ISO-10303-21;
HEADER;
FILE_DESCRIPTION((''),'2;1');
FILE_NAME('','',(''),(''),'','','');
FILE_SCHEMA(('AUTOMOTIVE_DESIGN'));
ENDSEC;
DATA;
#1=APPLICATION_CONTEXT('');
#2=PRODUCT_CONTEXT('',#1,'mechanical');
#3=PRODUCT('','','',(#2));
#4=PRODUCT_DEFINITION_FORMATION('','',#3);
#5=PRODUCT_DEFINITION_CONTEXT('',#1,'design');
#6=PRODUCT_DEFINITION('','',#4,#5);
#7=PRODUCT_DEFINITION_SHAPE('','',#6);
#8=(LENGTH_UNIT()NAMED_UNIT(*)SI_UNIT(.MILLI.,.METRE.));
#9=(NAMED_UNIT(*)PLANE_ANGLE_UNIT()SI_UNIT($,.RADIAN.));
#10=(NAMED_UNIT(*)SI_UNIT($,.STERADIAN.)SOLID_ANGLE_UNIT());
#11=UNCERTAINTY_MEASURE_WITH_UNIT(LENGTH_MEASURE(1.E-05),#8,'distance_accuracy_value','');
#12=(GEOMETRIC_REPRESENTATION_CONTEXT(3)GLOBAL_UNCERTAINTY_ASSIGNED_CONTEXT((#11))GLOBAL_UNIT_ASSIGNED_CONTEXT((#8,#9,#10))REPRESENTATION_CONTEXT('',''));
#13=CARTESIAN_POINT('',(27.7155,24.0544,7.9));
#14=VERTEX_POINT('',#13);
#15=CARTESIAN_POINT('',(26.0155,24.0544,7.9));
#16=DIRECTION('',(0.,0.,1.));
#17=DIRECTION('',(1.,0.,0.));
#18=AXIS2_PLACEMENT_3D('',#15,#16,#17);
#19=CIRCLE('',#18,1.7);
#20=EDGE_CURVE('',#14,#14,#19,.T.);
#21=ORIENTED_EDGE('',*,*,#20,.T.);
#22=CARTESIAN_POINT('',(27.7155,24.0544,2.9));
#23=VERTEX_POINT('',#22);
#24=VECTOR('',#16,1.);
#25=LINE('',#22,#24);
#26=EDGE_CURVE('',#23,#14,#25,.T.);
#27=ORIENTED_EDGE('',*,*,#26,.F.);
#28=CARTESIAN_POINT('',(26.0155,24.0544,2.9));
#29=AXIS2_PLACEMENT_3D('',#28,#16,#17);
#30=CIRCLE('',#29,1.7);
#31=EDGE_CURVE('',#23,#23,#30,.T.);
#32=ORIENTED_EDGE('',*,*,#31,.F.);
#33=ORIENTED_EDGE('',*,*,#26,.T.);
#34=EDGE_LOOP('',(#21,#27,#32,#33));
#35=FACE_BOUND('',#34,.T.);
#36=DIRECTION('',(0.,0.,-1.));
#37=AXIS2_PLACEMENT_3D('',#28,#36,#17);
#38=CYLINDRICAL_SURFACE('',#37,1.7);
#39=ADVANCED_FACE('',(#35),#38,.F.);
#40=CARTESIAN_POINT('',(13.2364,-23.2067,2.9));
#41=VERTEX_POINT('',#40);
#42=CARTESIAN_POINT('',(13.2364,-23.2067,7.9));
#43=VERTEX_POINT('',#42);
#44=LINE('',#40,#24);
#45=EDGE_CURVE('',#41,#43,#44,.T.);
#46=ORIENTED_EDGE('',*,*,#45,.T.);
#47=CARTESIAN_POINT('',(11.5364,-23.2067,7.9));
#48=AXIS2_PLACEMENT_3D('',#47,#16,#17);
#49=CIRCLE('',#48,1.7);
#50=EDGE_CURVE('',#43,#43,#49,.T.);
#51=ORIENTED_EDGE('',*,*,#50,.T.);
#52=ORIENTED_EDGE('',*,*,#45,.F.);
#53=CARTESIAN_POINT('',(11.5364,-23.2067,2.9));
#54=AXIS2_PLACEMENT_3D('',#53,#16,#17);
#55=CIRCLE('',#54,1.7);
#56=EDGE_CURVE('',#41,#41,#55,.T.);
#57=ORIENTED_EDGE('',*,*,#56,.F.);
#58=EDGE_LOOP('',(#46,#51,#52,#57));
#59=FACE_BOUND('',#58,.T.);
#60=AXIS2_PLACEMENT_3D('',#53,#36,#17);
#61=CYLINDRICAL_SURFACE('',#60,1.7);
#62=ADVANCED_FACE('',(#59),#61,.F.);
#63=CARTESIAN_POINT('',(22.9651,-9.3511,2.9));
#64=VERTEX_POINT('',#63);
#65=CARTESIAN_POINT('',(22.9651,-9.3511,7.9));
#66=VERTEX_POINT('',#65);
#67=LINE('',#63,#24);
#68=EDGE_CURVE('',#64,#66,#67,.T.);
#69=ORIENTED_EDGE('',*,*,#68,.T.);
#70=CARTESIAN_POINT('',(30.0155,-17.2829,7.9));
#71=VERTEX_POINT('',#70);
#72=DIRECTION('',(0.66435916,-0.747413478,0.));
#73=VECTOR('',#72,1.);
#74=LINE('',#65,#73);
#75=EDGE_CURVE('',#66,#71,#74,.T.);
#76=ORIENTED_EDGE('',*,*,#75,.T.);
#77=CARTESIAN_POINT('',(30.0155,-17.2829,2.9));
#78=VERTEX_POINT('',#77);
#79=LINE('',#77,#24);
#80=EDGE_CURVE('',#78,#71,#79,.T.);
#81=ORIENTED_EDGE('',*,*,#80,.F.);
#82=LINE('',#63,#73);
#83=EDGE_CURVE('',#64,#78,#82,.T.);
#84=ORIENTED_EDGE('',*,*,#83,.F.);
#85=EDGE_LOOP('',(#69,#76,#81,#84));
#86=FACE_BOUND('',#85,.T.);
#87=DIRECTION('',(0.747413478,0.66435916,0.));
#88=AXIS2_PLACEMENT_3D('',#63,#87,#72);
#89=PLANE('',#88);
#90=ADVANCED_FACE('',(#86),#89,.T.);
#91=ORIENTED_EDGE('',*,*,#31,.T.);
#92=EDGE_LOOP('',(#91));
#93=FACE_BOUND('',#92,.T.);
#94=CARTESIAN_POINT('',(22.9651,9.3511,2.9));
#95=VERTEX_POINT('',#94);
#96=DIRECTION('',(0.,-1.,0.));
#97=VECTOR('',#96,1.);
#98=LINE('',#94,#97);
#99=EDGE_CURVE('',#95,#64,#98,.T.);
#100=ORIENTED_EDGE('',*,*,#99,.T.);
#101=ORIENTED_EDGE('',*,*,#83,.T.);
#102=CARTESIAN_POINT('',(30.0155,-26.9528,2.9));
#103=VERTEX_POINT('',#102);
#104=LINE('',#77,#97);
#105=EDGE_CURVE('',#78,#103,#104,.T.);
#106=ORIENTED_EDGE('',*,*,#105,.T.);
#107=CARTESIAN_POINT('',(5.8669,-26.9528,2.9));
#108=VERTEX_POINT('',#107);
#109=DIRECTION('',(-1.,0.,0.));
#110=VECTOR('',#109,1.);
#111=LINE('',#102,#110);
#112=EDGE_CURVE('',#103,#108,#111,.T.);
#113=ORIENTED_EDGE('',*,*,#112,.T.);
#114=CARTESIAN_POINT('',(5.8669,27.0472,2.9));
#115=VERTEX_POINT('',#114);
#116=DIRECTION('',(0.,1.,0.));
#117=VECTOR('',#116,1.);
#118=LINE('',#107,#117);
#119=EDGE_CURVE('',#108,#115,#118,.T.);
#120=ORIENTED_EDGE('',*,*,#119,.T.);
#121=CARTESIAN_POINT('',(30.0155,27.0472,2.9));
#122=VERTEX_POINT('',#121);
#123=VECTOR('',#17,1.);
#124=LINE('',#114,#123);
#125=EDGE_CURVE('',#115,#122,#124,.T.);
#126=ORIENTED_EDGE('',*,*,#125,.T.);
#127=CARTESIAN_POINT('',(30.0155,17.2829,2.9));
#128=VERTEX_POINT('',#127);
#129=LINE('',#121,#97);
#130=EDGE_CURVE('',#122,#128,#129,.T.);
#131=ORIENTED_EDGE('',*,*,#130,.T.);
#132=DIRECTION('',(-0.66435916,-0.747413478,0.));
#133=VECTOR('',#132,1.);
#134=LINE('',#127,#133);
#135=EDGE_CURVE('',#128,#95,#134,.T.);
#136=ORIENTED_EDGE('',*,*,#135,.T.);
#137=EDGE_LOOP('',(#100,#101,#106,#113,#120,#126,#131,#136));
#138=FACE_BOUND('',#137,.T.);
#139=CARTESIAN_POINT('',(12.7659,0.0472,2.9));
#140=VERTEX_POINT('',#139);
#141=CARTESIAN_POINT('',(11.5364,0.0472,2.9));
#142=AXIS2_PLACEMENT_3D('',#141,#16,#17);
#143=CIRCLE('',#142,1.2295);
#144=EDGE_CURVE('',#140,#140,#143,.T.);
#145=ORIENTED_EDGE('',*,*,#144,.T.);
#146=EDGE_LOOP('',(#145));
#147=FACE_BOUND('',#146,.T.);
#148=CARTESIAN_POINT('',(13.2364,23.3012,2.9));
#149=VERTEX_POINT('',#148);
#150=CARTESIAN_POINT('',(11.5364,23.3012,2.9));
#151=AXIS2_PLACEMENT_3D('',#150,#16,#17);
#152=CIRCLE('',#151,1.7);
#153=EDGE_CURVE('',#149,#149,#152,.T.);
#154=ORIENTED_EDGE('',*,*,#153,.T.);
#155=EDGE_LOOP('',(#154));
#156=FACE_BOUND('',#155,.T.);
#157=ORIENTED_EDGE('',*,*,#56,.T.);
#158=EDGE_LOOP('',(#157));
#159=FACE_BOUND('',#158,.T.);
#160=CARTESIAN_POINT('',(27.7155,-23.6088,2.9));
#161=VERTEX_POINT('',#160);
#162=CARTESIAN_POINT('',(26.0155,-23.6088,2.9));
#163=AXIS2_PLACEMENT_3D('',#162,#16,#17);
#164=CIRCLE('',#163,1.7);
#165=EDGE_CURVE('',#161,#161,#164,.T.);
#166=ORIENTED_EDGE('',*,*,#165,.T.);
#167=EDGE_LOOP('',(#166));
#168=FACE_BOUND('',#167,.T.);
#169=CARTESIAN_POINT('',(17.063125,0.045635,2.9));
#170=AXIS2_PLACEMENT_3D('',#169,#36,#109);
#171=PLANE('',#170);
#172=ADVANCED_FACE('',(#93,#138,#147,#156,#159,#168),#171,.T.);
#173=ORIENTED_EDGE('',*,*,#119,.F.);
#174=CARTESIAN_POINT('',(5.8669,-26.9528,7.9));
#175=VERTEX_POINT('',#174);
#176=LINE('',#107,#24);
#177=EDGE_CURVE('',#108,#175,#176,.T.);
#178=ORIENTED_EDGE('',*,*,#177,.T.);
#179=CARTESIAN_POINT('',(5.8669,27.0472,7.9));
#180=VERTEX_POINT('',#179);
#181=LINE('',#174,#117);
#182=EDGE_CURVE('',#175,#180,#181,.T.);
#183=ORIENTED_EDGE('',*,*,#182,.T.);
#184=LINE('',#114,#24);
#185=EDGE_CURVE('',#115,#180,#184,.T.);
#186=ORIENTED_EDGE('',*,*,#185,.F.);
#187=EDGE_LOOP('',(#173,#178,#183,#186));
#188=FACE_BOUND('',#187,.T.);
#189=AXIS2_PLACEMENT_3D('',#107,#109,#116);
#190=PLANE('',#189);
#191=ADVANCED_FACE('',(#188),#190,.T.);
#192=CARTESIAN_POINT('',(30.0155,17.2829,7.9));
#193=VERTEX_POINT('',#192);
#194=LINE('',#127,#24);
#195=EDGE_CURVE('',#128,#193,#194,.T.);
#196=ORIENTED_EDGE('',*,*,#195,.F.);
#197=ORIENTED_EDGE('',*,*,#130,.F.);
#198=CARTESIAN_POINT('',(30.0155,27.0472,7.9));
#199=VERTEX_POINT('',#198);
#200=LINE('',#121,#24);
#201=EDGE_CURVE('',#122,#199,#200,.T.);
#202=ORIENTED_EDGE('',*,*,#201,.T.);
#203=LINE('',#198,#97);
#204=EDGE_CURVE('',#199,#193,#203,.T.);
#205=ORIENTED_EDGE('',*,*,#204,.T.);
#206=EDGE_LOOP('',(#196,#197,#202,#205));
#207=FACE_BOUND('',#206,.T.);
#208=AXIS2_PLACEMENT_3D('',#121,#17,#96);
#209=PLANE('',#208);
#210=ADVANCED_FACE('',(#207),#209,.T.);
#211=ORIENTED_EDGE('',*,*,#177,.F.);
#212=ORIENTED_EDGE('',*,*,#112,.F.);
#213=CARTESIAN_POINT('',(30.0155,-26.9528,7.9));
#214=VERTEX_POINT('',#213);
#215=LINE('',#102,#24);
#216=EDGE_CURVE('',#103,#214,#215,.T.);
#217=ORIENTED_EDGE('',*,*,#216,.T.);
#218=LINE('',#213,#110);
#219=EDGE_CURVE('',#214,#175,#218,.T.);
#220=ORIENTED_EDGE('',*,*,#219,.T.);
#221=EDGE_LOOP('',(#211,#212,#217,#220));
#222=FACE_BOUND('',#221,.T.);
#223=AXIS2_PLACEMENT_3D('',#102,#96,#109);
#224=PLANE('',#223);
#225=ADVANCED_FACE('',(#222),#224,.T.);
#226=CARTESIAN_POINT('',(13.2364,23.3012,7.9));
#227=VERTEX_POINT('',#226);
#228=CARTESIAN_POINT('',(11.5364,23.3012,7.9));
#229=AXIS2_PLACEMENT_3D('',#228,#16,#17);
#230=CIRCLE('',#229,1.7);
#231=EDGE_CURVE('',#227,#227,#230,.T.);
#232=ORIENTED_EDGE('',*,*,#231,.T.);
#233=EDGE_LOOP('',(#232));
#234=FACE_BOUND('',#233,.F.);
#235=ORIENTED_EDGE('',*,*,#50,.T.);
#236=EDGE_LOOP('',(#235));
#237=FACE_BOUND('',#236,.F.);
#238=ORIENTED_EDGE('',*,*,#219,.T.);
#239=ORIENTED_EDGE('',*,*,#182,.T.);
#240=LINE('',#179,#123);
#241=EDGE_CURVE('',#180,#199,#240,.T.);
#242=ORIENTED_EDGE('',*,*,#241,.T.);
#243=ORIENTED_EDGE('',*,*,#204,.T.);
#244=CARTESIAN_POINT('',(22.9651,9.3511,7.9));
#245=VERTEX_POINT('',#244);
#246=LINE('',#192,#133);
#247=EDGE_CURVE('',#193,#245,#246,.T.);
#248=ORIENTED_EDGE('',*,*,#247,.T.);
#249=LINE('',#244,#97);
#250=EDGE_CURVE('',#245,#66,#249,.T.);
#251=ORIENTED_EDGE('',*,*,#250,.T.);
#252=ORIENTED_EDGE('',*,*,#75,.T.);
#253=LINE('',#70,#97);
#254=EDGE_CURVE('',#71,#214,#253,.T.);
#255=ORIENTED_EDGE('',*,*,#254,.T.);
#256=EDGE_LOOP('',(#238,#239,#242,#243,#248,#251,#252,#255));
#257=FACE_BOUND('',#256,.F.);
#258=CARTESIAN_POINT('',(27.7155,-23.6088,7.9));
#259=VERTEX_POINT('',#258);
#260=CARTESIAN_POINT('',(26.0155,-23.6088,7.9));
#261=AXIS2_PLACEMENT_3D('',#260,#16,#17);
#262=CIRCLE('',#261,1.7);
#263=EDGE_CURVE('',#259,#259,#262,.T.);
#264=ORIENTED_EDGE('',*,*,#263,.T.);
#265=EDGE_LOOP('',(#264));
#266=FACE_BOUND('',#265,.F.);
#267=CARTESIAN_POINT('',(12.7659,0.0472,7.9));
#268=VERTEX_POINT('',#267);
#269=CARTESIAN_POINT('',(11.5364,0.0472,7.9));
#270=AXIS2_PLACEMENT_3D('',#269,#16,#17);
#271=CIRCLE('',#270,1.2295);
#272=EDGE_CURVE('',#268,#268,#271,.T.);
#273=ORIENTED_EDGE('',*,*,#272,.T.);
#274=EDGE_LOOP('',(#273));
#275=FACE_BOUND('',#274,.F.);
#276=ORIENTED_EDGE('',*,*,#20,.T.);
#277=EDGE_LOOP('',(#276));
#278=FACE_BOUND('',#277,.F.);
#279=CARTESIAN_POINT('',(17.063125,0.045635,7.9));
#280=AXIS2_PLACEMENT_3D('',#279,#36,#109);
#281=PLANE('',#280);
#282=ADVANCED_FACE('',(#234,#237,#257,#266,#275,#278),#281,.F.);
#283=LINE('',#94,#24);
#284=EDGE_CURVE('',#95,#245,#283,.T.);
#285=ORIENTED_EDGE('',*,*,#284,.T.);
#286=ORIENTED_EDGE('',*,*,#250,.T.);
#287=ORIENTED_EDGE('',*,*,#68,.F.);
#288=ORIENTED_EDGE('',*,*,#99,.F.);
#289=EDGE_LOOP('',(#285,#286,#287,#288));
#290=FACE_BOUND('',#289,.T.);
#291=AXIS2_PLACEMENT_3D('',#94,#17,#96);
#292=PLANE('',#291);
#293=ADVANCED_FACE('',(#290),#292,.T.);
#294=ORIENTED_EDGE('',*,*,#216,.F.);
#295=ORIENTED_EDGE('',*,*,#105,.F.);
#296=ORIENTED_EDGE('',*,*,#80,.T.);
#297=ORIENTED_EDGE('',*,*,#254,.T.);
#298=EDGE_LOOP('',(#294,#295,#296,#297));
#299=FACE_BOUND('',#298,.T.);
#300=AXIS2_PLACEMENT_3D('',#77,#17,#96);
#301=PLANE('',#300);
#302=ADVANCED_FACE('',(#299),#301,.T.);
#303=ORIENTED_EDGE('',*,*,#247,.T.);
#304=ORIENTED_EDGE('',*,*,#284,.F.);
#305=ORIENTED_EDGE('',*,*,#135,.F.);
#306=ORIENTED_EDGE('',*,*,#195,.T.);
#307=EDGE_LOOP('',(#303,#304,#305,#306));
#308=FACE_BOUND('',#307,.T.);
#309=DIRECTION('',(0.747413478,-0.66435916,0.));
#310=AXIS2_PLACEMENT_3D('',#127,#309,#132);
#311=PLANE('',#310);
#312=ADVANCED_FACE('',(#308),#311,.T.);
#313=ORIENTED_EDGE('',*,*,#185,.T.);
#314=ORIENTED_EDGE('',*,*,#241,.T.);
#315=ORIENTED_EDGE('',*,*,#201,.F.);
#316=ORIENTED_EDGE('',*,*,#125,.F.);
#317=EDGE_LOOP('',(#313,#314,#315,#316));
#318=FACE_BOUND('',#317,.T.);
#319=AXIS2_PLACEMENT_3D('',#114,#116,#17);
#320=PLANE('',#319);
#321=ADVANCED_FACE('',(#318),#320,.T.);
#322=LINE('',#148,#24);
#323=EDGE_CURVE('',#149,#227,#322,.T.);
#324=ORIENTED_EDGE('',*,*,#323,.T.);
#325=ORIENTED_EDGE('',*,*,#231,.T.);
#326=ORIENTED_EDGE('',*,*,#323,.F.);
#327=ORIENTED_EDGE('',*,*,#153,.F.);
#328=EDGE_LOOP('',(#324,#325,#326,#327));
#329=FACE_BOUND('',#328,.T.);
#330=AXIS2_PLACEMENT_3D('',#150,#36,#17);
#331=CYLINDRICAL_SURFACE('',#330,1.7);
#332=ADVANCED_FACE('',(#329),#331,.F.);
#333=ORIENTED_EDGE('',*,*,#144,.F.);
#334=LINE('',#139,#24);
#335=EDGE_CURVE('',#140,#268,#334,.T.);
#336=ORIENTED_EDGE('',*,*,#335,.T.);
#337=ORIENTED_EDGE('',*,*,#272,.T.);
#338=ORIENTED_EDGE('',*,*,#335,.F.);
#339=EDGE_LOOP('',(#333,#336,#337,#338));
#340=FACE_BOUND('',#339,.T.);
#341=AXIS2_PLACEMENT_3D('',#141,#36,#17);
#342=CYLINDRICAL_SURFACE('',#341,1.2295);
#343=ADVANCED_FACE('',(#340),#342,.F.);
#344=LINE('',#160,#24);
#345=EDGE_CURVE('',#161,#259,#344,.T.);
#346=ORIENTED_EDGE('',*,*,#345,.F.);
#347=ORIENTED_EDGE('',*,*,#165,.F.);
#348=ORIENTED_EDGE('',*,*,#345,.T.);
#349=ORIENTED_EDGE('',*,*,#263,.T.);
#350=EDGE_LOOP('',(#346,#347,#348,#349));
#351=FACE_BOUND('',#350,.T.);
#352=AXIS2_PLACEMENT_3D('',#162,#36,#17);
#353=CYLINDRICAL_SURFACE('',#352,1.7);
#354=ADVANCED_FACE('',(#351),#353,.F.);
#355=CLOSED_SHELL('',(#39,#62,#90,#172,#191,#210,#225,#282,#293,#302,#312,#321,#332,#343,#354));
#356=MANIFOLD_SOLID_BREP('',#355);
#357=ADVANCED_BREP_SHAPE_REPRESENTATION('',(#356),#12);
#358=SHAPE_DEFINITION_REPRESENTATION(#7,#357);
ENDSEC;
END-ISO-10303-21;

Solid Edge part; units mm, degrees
sketch "Sketch1" plane through (0, 0, 2.9) normal (0, 0, 1) x (1, 0, 0)
  circle A0 centre (26.0155, 24.0544) radius 1.7
  circle A1 centre (26.0155, -23.6088) radius 1.7
  circle A2 centre (11.5364, 23.3012) radius 1.7
  circle A3 centre (11.5364, 0.0472) radius 1.2295
  circle A4 centre (11.5364, -23.2067) radius 1.7
  line L0 (5.8669, -26.9528) -> (5.8669, 27.0472)
  line L1 (5.8669, 27.0472) -> (30.0155, 27.0472)
  line L2 (30.0155, 27.0472) -> (30.0155, 17.2829)
  line L3 (30.0155, 17.2829) -> (22.9651, 9.3511)
  line L4 (22.9651, 9.3511) -> (22.9651, -9.3511)
  line L5 (22.9651, -9.3511) -> (30.0155, -17.2829)
  line L6 (30.0155, -17.2829) -> (30.0155, -26.9528)
  line L7 (30.0155, -26.9528) -> (5.8669, -26.9528)
  dimension "D1" = 4
extrude "ExtrudedProtrusion_1" add sketch "Sketch1" along normal blind 5
properties material "ABS Plastic, high impact"
